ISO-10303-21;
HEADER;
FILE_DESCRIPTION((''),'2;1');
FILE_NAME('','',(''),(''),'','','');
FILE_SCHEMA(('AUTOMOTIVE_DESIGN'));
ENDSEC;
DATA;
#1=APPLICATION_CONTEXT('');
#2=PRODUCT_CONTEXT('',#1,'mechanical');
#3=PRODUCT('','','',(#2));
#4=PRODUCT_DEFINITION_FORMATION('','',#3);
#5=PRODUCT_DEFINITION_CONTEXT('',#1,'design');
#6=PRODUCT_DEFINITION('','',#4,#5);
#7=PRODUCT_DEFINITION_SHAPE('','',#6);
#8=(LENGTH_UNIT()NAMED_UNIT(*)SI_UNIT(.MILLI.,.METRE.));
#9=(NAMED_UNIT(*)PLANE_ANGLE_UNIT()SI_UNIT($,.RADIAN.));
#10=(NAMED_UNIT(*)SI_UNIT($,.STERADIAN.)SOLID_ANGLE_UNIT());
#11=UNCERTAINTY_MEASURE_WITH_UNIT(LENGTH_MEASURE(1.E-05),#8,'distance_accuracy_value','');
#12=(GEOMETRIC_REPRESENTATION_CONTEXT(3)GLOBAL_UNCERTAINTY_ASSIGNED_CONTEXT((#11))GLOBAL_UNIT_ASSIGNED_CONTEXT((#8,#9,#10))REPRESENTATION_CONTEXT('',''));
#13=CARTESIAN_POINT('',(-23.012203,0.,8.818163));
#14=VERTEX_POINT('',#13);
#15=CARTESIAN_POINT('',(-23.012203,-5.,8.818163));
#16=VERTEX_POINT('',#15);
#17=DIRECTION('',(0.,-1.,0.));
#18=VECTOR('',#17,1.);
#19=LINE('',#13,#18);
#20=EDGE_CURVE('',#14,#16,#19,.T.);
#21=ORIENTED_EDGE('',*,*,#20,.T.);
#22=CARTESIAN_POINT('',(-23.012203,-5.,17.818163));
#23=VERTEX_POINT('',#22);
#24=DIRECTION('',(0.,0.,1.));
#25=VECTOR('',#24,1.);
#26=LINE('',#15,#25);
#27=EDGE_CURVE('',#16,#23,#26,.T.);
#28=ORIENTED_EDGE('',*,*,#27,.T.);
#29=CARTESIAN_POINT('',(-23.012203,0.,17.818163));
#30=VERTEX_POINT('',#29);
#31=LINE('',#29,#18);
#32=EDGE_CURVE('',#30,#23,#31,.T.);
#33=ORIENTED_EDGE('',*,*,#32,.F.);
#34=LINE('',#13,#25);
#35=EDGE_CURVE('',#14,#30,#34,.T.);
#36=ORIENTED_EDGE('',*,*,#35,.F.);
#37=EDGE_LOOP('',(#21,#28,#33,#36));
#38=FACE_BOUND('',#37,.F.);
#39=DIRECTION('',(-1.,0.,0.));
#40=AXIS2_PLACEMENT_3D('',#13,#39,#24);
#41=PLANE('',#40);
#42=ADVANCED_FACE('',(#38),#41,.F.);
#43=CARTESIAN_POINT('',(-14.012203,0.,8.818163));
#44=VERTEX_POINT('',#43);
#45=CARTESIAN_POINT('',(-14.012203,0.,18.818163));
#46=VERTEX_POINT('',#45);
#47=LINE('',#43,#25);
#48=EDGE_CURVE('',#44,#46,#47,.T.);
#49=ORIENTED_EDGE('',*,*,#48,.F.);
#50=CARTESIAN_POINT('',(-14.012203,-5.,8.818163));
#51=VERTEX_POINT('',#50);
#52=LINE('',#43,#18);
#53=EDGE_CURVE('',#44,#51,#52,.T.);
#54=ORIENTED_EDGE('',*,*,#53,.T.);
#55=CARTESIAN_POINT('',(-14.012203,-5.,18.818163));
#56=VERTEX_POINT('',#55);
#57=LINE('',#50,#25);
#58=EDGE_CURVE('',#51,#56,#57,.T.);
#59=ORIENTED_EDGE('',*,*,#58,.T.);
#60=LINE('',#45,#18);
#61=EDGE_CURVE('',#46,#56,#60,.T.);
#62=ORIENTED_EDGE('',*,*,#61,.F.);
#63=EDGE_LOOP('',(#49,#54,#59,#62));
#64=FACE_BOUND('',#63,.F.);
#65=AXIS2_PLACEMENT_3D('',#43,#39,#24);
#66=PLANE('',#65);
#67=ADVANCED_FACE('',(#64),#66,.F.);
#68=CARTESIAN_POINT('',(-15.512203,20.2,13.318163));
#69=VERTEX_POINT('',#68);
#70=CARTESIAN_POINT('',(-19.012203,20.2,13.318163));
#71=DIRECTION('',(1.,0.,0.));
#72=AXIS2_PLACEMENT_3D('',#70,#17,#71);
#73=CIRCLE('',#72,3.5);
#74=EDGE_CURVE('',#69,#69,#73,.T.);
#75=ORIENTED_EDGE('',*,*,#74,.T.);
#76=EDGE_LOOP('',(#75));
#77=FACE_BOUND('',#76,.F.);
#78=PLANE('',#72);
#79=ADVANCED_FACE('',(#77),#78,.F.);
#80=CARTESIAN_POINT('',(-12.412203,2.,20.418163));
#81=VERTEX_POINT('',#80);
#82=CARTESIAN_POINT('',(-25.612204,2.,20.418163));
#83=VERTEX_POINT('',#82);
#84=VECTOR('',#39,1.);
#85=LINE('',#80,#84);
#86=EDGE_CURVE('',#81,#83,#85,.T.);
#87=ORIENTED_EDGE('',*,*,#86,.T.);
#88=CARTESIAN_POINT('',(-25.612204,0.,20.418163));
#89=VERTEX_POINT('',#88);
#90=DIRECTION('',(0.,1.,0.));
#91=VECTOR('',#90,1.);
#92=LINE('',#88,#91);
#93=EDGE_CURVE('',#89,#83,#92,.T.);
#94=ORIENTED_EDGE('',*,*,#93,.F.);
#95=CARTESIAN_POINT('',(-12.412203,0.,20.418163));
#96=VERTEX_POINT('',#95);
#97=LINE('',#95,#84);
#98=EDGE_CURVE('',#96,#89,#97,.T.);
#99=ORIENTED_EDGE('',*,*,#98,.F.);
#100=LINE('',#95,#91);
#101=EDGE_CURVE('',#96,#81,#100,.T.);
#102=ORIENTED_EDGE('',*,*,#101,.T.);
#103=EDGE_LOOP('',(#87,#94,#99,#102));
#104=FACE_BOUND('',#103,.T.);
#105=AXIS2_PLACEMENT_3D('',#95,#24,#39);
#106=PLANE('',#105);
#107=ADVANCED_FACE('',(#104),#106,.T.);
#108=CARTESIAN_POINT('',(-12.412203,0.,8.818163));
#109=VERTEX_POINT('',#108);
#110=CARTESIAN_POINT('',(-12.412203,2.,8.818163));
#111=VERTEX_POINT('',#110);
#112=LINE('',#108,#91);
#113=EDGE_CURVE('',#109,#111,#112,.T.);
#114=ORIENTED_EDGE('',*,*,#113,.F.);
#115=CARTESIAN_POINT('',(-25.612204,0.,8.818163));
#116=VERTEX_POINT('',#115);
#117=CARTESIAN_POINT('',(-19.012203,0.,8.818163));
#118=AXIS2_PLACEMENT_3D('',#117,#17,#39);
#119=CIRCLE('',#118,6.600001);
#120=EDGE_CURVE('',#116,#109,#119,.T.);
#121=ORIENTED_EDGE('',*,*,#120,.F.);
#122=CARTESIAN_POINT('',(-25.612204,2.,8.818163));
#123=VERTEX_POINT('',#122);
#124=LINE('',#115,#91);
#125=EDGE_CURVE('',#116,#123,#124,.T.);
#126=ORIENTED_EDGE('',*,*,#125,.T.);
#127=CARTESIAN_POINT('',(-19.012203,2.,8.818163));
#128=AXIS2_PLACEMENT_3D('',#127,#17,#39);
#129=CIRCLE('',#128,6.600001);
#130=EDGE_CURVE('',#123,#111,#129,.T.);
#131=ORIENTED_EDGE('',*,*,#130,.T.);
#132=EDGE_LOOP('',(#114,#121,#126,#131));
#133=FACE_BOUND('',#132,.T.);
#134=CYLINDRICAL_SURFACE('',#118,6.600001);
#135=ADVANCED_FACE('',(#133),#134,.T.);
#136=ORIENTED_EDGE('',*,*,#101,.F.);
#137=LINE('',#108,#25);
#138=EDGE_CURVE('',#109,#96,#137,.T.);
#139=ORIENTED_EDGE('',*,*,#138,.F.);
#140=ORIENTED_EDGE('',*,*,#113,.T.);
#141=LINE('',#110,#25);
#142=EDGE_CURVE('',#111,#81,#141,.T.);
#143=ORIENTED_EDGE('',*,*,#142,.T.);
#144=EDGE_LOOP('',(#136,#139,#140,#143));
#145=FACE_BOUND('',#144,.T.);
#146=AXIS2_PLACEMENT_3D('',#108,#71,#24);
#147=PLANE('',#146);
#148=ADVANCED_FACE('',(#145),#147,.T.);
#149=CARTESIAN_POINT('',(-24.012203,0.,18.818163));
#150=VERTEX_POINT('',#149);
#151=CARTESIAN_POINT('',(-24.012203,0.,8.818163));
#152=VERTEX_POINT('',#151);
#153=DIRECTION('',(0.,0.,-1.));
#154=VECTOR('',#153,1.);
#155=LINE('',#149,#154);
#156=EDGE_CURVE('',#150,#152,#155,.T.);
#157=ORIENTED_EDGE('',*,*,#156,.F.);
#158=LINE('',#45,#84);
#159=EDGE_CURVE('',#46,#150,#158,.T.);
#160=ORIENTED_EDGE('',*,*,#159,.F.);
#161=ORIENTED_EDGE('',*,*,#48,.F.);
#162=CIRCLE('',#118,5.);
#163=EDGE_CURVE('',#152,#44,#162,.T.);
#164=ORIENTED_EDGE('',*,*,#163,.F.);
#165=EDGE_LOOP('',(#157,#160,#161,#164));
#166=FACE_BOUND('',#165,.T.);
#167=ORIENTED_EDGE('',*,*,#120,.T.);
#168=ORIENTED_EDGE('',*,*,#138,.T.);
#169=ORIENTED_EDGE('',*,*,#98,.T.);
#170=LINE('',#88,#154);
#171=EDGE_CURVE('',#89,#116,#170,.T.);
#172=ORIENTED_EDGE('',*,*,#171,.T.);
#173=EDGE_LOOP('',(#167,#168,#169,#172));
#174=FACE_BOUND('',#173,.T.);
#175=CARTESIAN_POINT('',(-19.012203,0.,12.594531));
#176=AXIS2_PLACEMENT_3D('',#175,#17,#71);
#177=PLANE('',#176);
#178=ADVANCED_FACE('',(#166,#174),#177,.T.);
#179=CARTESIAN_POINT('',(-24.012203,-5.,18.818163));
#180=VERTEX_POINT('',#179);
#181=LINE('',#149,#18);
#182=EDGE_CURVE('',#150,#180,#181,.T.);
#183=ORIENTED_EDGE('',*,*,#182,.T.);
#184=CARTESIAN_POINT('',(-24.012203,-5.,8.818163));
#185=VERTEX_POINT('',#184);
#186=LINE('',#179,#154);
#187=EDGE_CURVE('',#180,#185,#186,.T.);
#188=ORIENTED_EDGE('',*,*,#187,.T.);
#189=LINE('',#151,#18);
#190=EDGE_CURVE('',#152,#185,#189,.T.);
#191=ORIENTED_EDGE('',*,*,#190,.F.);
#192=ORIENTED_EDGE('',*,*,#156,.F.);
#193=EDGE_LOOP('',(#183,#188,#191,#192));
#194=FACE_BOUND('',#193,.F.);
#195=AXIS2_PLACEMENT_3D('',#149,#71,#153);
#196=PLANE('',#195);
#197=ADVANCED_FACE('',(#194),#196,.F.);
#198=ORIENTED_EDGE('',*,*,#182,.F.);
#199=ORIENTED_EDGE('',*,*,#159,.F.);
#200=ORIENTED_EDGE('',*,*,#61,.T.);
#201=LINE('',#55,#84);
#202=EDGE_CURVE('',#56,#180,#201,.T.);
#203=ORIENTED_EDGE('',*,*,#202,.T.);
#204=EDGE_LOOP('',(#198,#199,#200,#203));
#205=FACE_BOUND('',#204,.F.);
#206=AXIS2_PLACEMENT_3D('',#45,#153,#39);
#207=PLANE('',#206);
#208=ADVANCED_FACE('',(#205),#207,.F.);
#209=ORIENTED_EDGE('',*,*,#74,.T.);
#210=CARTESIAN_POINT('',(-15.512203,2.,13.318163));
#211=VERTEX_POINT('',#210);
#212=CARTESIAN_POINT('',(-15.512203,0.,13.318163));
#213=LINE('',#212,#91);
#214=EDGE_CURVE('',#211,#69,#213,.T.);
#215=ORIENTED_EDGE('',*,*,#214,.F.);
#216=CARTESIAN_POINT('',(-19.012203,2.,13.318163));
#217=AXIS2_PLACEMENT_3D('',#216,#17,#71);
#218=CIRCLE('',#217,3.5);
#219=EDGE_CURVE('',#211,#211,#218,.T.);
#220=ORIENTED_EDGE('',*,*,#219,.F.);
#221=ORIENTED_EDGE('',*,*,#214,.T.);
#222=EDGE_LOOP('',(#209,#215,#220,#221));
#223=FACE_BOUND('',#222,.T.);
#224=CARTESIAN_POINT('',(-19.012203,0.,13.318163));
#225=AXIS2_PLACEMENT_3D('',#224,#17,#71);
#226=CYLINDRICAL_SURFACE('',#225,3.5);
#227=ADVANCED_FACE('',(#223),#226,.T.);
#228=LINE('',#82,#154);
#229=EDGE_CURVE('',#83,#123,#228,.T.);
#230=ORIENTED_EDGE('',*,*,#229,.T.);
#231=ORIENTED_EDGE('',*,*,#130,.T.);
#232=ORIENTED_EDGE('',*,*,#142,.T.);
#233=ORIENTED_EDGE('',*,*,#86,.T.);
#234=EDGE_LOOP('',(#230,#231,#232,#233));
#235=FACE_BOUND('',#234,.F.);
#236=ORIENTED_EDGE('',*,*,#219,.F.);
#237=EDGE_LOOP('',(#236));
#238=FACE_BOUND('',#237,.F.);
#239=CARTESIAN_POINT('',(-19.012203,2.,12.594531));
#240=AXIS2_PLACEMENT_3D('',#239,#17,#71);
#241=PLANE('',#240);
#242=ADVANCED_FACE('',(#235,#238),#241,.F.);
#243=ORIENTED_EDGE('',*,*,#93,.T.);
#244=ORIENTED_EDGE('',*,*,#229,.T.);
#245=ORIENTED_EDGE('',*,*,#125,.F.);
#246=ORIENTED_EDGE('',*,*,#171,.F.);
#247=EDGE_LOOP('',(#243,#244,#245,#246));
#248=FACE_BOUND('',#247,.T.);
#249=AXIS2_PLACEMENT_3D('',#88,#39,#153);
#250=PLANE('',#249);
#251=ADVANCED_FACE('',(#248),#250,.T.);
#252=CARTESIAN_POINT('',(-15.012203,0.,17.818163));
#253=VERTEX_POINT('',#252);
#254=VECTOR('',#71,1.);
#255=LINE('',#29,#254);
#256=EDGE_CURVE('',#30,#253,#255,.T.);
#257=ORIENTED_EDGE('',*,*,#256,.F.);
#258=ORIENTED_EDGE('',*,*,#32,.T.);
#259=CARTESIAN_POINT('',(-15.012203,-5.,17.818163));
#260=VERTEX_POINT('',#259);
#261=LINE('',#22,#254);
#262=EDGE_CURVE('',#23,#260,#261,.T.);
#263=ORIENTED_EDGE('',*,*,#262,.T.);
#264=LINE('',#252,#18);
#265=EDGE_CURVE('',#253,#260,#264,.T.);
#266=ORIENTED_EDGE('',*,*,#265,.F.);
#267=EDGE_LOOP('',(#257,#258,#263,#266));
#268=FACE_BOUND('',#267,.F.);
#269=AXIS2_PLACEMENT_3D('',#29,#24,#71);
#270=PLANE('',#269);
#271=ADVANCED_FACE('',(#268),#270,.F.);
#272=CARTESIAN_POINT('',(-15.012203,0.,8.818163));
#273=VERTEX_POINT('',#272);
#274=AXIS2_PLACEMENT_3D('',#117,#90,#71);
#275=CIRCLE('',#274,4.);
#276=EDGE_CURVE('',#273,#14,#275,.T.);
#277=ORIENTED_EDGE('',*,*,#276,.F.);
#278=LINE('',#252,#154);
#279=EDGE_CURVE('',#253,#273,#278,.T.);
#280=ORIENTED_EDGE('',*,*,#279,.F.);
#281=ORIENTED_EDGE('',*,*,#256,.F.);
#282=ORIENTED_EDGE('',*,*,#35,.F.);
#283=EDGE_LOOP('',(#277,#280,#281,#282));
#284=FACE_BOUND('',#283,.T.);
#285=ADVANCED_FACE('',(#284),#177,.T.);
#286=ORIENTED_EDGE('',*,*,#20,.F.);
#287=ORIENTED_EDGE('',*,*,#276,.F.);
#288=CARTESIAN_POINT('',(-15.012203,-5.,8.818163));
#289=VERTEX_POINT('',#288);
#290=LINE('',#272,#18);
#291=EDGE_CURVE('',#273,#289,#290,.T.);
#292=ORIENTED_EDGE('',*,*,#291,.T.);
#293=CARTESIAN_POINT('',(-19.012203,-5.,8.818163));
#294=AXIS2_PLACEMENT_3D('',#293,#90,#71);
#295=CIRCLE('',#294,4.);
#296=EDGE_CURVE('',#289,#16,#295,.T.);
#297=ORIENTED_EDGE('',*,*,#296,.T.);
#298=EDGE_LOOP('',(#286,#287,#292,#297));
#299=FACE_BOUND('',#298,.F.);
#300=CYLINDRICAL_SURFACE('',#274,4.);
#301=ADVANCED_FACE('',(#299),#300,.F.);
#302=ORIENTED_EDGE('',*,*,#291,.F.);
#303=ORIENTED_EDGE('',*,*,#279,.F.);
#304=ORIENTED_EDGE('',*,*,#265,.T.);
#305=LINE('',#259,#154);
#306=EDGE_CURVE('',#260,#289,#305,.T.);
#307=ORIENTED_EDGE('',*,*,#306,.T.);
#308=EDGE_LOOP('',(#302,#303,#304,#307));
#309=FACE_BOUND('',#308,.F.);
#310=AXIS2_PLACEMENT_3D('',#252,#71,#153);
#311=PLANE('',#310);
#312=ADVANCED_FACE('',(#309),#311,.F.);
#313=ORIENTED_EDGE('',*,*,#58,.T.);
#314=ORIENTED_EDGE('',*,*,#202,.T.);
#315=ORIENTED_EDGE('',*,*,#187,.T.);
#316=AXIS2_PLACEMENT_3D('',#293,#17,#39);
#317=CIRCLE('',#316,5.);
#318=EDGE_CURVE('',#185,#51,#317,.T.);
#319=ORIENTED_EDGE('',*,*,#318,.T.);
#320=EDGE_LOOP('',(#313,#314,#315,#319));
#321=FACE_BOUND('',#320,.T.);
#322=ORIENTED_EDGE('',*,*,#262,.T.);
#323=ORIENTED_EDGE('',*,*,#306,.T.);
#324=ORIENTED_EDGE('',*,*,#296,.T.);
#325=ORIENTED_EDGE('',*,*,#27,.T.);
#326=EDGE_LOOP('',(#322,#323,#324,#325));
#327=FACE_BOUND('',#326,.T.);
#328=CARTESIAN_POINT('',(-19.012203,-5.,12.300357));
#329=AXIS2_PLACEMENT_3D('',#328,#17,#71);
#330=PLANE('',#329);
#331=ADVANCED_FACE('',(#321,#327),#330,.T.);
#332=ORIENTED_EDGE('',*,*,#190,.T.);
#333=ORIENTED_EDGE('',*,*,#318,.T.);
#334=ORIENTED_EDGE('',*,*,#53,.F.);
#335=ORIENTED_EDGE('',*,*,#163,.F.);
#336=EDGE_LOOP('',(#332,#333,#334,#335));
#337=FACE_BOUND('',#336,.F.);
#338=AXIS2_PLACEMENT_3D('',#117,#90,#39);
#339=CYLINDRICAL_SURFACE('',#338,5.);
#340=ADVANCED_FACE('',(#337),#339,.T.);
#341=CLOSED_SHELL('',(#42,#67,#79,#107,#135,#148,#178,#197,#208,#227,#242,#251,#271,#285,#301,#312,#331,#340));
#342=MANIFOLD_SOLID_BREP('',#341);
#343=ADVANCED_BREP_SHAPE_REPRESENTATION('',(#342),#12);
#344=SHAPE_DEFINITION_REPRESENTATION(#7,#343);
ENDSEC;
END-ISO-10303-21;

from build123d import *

# Parameters (mm, degrees)
F0_R     = 3.5
F1_DEPTH = 2
F2_DEPTH = 5
F3_DEPTH = 20.2


with BuildPart() as f1:
    # F0 (on Front) → F1 (new body)
    with BuildSketch(Plane.XZ):
        with BuildLine():
            Line((-12.4122027444, 20.418163389), (-25.6122041357, 20.418163389))
            Line((-25.6122041357, 20.418163389), (-25.6122041357, 8.8181626933))
            ThreePointArc((-25.6122041357, 8.8181626933), (-19.0122034401, 2.2181619977), (-12.4122027444, 8.8181626933))
            Line((-12.4122027444, 8.8181626933), (-12.4122027444, 20.418163389))
        make_face()
        with BuildLine():
            Line((-24.0122034401, 8.8181626933), (-24.0122034401, 18.8181626933))
            Line((-24.0122034401, 18.8181626933), (-14.0122034401, 18.8181626933))
            Line((-14.0122034401, 18.8181626933), (-14.0122034401, 8.8181626933))
            ThreePointArc((-14.0122034401, 8.8181626933), (-19.0122034401, 3.8181626933), (-24.0122034401, 8.8181626933))
        make_face(mode=Mode.SUBTRACT)
        with BuildLine():
            Line((-14.0122034401, 18.8181626933), (-24.0122034401, 18.8181626933))
            Line((-24.0122034401, 18.8181626933), (-24.0122034401, 8.8181626933))
            ThreePointArc((-24.0122034401, 8.8181626933), (-19.0122034401, 3.8181626933), (-14.0122034401, 8.8181626933))
            Line((-14.0122034401, 8.8181626933), (-14.0122034401, 18.8181626933))
        make_face()
        with BuildLine():
            Line((-23.0122034401, 8.8181626933), (-23.0122034401, 17.8181626933))
            Line((-23.0122034401, 17.8181626933), (-15.0122034401, 17.8181626933))
            Line((-15.0122034401, 17.8181626933), (-15.0122034401, 8.8181626933))
            ThreePointArc((-15.0122034401, 8.8181626933), (-19.0122034401, 4.8181626933), (-23.0122034401, 8.8181626933))
        make_face(mode=Mode.SUBTRACT)
        with BuildLine():
            Line((-15.0122034401, 17.8181626933), (-23.0122034401, 17.8181626933))
            Line((-23.0122034401, 17.8181626933), (-23.0122034401, 8.8181626933))
            ThreePointArc((-23.0122034401, 8.8181626933), (-19.0122034401, 4.8181626933), (-15.0122034401, 8.8181626933))
            Line((-15.0122034401, 8.8181626933), (-15.0122034401, 17.8181626933))
        make_face()
        with Locations((-19.0122034401, 13.3181626933)):
            Circle(F0_R, mode=Mode.SUBTRACT)
    extrude(amount=-F1_DEPTH)

    # F0 (on Front) → F2 (join)
    with BuildSketch(Plane.XZ):
        with BuildLine():
            Line((-14.0122034401, 18.8181626933), (-24.0122034401, 18.8181626933))
            Line((-24.0122034401, 18.8181626933), (-24.0122034401, 8.8181626933))
            ThreePointArc((-24.0122034401, 8.8181626933), (-19.0122034401, 3.8181626933), (-14.0122034401, 8.8181626933))
            Line((-14.0122034401, 8.8181626933), (-14.0122034401, 18.8181626933))
        make_face()
        with BuildLine():
            Line((-23.0122034401, 8.8181626933), (-23.0122034401, 17.8181626933))
            Line((-23.0122034401, 17.8181626933), (-15.0122034401, 17.8181626933))
            Line((-15.0122034401, 17.8181626933), (-15.0122034401, 8.8181626933))
            ThreePointArc((-15.0122034401, 8.8181626933), (-19.0122034401, 4.8181626933), (-23.0122034401, 8.8181626933))
        make_face(mode=Mode.SUBTRACT)
    extrude(amount=F2_DEPTH)

    # F0 (on Front) → F3 (join)
    with BuildSketch(Plane.XZ):
        with Locations((-19.0122034401, 13.3181626933)):
            Circle(F0_R)
    extrude(amount=-F3_DEPTH)


solid = f1.part
